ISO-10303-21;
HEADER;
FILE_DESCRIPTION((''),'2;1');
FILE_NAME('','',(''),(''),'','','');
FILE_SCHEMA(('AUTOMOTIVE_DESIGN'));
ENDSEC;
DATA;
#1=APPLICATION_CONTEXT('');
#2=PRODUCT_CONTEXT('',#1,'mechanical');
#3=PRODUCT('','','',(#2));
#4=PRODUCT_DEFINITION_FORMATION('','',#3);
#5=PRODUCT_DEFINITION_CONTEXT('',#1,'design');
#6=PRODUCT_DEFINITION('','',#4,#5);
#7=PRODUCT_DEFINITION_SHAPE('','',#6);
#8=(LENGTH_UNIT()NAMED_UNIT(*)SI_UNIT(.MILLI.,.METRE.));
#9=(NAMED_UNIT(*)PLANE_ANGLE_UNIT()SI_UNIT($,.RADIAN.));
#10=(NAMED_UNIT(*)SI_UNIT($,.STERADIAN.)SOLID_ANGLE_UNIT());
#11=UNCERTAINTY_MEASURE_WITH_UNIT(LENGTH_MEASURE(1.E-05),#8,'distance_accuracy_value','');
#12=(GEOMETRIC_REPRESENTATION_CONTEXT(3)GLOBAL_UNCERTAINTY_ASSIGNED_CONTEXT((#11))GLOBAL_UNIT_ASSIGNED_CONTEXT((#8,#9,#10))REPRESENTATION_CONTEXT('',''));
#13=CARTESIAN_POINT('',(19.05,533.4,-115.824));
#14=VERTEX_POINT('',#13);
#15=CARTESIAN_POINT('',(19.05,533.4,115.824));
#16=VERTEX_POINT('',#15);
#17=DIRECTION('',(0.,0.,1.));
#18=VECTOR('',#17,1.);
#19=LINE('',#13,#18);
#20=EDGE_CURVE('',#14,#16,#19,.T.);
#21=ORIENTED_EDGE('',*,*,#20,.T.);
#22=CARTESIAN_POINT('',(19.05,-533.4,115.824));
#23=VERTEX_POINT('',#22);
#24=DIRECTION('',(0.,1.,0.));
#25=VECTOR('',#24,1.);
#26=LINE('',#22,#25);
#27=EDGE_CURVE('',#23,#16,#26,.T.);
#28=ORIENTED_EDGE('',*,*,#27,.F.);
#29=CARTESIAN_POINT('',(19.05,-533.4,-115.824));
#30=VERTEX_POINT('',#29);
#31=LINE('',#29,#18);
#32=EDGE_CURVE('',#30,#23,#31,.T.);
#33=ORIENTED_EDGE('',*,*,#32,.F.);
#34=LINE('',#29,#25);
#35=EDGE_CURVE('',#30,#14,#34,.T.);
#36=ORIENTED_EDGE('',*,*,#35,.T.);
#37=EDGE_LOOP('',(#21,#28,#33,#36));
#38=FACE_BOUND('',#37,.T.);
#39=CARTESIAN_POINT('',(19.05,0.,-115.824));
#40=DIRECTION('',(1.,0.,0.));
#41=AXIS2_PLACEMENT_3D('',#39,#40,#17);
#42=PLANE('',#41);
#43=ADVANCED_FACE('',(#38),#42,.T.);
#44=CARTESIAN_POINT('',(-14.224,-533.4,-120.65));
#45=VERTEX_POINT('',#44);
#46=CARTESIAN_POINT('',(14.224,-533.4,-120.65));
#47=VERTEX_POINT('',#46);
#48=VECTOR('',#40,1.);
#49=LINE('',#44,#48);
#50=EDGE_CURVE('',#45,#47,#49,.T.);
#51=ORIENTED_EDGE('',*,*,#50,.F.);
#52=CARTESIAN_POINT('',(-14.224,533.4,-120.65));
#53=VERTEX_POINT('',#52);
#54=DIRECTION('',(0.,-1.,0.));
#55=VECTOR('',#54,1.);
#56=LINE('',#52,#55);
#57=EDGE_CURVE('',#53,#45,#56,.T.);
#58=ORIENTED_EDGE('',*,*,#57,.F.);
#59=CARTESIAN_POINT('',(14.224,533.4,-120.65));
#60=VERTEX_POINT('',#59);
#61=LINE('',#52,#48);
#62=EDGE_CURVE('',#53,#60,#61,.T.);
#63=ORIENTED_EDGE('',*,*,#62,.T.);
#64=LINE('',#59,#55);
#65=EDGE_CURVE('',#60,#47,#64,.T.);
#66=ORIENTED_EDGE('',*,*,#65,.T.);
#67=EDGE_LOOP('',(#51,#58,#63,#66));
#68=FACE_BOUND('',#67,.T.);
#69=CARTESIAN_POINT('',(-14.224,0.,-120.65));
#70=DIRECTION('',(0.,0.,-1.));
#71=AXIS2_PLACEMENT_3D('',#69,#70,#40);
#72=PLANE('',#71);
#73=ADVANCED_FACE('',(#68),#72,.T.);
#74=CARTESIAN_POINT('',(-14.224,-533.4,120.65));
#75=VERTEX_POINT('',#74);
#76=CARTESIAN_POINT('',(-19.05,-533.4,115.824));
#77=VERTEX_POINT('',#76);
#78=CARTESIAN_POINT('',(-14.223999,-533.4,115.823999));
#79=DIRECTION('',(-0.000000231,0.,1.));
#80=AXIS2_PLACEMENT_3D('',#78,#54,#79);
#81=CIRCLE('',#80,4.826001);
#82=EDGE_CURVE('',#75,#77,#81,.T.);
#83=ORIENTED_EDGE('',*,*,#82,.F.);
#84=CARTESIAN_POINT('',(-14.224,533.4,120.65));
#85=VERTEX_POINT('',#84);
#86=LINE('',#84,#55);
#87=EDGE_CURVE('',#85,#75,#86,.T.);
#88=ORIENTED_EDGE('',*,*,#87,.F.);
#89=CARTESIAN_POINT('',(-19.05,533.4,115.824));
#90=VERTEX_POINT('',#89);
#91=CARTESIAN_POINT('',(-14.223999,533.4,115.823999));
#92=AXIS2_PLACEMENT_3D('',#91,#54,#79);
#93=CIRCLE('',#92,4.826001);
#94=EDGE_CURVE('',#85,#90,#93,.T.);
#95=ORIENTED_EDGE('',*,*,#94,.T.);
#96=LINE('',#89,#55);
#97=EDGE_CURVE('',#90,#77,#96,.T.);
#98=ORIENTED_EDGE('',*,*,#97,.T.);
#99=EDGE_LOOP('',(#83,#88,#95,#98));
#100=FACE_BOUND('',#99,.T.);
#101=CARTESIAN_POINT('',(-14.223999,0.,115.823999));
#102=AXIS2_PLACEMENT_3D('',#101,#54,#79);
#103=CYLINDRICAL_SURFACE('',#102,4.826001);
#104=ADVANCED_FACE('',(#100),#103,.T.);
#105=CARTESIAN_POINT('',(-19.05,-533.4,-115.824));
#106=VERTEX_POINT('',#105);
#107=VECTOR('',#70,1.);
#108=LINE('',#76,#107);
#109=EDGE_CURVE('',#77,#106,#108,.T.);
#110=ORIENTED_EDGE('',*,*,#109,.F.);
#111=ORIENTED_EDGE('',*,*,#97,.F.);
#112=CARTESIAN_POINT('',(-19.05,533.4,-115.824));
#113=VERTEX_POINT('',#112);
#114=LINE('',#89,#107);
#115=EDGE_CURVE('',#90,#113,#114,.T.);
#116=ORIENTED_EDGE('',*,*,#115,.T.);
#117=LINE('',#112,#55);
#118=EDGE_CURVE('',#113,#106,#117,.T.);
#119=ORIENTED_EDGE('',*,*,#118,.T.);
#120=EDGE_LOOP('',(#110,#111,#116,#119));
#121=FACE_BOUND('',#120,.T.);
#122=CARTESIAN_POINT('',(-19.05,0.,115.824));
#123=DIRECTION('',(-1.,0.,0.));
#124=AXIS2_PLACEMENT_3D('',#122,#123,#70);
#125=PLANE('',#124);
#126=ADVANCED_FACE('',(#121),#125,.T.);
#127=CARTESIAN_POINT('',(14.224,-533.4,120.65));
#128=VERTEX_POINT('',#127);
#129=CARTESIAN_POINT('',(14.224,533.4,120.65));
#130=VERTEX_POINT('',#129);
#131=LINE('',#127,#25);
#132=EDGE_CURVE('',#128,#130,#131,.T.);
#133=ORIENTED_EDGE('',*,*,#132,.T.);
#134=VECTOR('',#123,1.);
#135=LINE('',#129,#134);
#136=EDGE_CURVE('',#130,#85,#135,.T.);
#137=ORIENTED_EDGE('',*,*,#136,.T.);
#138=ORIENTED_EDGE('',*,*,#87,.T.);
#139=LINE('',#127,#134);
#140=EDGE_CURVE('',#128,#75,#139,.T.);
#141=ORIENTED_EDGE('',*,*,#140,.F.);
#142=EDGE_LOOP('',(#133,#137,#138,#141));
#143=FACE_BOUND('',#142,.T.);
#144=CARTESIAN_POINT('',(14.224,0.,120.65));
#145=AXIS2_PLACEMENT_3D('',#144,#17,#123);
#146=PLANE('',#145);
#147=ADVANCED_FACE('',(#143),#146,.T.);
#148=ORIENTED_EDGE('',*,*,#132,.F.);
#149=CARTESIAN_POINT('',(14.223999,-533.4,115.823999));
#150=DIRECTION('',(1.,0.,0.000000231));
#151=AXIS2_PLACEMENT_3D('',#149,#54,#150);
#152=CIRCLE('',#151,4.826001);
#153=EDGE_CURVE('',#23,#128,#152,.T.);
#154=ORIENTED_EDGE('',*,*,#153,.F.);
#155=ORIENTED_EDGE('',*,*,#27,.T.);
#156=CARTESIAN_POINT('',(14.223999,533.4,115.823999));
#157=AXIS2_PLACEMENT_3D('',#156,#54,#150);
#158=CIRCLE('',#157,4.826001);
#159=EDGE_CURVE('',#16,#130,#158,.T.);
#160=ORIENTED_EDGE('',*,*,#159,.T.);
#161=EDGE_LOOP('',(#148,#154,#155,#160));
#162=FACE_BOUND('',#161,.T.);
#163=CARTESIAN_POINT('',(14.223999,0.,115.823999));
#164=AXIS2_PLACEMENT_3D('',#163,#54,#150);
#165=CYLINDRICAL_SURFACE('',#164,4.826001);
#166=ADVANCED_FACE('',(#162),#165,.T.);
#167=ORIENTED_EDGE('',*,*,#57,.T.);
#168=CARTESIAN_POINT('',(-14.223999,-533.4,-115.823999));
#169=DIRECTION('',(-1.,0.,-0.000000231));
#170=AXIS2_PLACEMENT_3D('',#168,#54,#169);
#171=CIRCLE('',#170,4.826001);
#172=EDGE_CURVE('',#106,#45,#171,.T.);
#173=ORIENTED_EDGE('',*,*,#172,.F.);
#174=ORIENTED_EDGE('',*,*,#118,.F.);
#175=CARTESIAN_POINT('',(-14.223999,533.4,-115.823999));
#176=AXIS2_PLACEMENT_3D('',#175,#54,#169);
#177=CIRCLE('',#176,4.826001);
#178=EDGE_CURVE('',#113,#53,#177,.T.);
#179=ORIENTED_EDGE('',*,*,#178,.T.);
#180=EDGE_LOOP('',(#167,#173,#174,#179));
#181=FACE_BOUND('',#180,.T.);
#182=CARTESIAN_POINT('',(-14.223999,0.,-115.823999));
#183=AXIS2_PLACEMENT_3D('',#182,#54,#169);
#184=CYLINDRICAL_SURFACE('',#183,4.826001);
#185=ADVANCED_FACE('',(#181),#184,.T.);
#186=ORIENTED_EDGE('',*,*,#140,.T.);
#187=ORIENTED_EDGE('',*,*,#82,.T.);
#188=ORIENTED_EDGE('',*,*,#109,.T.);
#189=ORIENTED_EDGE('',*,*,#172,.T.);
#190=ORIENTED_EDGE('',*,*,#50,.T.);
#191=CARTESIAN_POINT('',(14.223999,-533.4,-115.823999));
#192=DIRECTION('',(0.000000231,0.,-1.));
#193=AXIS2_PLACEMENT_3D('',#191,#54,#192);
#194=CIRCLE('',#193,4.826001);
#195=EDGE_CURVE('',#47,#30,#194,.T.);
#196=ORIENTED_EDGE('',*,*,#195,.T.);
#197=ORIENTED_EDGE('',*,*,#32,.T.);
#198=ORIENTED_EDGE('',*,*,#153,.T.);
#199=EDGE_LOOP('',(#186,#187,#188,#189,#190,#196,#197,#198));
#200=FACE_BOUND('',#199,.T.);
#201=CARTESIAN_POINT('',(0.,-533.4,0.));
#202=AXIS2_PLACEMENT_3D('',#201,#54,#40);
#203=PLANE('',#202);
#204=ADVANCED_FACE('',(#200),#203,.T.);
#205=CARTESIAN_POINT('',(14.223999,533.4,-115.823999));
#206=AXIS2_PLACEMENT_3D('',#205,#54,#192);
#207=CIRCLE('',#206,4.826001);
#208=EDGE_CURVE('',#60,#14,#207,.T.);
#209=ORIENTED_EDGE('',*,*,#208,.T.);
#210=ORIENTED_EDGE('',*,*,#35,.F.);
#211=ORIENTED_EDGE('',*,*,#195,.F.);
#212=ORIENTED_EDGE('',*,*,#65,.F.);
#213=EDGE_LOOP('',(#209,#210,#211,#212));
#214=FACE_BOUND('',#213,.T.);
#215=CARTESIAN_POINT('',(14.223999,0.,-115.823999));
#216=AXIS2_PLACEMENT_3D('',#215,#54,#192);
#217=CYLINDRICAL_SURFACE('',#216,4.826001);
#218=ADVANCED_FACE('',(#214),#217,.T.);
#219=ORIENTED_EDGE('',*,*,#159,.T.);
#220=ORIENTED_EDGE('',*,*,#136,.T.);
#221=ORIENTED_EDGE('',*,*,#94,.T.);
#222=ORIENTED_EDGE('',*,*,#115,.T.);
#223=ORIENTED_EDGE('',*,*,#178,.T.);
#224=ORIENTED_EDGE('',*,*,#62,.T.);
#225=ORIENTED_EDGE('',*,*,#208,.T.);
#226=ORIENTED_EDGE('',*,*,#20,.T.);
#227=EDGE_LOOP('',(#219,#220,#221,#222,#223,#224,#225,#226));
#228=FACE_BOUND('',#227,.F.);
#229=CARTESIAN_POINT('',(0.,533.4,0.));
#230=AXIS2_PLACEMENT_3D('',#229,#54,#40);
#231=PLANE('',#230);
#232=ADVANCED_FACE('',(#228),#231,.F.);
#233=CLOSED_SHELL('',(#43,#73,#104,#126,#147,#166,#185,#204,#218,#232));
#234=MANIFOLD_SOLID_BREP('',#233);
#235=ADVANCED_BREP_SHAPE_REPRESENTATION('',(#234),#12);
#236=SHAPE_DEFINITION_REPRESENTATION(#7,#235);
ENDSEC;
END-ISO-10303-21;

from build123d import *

# Parameters (mm, degrees)
F1_DEPTH = 533.4


with BuildPart() as f1:
    # F0 (on Front) → F1 (new body, symmetric)
    with BuildSketch(Plane.XZ):
        with BuildLine():
            Line((14.224, 120.65), (-14.224, 120.65))
            ThreePointArc((-14.224, 120.65), (-17.636497, 119.236497), (-19.05, 115.824))
            Line((-19.05, 115.824), (-19.05, -115.824))
            ThreePointArc((-19.05, -115.824), (-17.636497, -119.236497), (-14.224, -120.65))
            Line((-14.224, -120.65), (14.224, -120.65))
            ThreePointArc((14.224, -120.65), (17.636497, -119.236497), (19.05, -115.824))
            Line((19.05, -115.824), (19.05, 115.824))
            ThreePointArc((19.05, 115.824), (17.636497, 119.236497), (14.224, 120.65))
        make_face()
    extrude(amount=F1_DEPTH, both=True)


solid = f1.part
